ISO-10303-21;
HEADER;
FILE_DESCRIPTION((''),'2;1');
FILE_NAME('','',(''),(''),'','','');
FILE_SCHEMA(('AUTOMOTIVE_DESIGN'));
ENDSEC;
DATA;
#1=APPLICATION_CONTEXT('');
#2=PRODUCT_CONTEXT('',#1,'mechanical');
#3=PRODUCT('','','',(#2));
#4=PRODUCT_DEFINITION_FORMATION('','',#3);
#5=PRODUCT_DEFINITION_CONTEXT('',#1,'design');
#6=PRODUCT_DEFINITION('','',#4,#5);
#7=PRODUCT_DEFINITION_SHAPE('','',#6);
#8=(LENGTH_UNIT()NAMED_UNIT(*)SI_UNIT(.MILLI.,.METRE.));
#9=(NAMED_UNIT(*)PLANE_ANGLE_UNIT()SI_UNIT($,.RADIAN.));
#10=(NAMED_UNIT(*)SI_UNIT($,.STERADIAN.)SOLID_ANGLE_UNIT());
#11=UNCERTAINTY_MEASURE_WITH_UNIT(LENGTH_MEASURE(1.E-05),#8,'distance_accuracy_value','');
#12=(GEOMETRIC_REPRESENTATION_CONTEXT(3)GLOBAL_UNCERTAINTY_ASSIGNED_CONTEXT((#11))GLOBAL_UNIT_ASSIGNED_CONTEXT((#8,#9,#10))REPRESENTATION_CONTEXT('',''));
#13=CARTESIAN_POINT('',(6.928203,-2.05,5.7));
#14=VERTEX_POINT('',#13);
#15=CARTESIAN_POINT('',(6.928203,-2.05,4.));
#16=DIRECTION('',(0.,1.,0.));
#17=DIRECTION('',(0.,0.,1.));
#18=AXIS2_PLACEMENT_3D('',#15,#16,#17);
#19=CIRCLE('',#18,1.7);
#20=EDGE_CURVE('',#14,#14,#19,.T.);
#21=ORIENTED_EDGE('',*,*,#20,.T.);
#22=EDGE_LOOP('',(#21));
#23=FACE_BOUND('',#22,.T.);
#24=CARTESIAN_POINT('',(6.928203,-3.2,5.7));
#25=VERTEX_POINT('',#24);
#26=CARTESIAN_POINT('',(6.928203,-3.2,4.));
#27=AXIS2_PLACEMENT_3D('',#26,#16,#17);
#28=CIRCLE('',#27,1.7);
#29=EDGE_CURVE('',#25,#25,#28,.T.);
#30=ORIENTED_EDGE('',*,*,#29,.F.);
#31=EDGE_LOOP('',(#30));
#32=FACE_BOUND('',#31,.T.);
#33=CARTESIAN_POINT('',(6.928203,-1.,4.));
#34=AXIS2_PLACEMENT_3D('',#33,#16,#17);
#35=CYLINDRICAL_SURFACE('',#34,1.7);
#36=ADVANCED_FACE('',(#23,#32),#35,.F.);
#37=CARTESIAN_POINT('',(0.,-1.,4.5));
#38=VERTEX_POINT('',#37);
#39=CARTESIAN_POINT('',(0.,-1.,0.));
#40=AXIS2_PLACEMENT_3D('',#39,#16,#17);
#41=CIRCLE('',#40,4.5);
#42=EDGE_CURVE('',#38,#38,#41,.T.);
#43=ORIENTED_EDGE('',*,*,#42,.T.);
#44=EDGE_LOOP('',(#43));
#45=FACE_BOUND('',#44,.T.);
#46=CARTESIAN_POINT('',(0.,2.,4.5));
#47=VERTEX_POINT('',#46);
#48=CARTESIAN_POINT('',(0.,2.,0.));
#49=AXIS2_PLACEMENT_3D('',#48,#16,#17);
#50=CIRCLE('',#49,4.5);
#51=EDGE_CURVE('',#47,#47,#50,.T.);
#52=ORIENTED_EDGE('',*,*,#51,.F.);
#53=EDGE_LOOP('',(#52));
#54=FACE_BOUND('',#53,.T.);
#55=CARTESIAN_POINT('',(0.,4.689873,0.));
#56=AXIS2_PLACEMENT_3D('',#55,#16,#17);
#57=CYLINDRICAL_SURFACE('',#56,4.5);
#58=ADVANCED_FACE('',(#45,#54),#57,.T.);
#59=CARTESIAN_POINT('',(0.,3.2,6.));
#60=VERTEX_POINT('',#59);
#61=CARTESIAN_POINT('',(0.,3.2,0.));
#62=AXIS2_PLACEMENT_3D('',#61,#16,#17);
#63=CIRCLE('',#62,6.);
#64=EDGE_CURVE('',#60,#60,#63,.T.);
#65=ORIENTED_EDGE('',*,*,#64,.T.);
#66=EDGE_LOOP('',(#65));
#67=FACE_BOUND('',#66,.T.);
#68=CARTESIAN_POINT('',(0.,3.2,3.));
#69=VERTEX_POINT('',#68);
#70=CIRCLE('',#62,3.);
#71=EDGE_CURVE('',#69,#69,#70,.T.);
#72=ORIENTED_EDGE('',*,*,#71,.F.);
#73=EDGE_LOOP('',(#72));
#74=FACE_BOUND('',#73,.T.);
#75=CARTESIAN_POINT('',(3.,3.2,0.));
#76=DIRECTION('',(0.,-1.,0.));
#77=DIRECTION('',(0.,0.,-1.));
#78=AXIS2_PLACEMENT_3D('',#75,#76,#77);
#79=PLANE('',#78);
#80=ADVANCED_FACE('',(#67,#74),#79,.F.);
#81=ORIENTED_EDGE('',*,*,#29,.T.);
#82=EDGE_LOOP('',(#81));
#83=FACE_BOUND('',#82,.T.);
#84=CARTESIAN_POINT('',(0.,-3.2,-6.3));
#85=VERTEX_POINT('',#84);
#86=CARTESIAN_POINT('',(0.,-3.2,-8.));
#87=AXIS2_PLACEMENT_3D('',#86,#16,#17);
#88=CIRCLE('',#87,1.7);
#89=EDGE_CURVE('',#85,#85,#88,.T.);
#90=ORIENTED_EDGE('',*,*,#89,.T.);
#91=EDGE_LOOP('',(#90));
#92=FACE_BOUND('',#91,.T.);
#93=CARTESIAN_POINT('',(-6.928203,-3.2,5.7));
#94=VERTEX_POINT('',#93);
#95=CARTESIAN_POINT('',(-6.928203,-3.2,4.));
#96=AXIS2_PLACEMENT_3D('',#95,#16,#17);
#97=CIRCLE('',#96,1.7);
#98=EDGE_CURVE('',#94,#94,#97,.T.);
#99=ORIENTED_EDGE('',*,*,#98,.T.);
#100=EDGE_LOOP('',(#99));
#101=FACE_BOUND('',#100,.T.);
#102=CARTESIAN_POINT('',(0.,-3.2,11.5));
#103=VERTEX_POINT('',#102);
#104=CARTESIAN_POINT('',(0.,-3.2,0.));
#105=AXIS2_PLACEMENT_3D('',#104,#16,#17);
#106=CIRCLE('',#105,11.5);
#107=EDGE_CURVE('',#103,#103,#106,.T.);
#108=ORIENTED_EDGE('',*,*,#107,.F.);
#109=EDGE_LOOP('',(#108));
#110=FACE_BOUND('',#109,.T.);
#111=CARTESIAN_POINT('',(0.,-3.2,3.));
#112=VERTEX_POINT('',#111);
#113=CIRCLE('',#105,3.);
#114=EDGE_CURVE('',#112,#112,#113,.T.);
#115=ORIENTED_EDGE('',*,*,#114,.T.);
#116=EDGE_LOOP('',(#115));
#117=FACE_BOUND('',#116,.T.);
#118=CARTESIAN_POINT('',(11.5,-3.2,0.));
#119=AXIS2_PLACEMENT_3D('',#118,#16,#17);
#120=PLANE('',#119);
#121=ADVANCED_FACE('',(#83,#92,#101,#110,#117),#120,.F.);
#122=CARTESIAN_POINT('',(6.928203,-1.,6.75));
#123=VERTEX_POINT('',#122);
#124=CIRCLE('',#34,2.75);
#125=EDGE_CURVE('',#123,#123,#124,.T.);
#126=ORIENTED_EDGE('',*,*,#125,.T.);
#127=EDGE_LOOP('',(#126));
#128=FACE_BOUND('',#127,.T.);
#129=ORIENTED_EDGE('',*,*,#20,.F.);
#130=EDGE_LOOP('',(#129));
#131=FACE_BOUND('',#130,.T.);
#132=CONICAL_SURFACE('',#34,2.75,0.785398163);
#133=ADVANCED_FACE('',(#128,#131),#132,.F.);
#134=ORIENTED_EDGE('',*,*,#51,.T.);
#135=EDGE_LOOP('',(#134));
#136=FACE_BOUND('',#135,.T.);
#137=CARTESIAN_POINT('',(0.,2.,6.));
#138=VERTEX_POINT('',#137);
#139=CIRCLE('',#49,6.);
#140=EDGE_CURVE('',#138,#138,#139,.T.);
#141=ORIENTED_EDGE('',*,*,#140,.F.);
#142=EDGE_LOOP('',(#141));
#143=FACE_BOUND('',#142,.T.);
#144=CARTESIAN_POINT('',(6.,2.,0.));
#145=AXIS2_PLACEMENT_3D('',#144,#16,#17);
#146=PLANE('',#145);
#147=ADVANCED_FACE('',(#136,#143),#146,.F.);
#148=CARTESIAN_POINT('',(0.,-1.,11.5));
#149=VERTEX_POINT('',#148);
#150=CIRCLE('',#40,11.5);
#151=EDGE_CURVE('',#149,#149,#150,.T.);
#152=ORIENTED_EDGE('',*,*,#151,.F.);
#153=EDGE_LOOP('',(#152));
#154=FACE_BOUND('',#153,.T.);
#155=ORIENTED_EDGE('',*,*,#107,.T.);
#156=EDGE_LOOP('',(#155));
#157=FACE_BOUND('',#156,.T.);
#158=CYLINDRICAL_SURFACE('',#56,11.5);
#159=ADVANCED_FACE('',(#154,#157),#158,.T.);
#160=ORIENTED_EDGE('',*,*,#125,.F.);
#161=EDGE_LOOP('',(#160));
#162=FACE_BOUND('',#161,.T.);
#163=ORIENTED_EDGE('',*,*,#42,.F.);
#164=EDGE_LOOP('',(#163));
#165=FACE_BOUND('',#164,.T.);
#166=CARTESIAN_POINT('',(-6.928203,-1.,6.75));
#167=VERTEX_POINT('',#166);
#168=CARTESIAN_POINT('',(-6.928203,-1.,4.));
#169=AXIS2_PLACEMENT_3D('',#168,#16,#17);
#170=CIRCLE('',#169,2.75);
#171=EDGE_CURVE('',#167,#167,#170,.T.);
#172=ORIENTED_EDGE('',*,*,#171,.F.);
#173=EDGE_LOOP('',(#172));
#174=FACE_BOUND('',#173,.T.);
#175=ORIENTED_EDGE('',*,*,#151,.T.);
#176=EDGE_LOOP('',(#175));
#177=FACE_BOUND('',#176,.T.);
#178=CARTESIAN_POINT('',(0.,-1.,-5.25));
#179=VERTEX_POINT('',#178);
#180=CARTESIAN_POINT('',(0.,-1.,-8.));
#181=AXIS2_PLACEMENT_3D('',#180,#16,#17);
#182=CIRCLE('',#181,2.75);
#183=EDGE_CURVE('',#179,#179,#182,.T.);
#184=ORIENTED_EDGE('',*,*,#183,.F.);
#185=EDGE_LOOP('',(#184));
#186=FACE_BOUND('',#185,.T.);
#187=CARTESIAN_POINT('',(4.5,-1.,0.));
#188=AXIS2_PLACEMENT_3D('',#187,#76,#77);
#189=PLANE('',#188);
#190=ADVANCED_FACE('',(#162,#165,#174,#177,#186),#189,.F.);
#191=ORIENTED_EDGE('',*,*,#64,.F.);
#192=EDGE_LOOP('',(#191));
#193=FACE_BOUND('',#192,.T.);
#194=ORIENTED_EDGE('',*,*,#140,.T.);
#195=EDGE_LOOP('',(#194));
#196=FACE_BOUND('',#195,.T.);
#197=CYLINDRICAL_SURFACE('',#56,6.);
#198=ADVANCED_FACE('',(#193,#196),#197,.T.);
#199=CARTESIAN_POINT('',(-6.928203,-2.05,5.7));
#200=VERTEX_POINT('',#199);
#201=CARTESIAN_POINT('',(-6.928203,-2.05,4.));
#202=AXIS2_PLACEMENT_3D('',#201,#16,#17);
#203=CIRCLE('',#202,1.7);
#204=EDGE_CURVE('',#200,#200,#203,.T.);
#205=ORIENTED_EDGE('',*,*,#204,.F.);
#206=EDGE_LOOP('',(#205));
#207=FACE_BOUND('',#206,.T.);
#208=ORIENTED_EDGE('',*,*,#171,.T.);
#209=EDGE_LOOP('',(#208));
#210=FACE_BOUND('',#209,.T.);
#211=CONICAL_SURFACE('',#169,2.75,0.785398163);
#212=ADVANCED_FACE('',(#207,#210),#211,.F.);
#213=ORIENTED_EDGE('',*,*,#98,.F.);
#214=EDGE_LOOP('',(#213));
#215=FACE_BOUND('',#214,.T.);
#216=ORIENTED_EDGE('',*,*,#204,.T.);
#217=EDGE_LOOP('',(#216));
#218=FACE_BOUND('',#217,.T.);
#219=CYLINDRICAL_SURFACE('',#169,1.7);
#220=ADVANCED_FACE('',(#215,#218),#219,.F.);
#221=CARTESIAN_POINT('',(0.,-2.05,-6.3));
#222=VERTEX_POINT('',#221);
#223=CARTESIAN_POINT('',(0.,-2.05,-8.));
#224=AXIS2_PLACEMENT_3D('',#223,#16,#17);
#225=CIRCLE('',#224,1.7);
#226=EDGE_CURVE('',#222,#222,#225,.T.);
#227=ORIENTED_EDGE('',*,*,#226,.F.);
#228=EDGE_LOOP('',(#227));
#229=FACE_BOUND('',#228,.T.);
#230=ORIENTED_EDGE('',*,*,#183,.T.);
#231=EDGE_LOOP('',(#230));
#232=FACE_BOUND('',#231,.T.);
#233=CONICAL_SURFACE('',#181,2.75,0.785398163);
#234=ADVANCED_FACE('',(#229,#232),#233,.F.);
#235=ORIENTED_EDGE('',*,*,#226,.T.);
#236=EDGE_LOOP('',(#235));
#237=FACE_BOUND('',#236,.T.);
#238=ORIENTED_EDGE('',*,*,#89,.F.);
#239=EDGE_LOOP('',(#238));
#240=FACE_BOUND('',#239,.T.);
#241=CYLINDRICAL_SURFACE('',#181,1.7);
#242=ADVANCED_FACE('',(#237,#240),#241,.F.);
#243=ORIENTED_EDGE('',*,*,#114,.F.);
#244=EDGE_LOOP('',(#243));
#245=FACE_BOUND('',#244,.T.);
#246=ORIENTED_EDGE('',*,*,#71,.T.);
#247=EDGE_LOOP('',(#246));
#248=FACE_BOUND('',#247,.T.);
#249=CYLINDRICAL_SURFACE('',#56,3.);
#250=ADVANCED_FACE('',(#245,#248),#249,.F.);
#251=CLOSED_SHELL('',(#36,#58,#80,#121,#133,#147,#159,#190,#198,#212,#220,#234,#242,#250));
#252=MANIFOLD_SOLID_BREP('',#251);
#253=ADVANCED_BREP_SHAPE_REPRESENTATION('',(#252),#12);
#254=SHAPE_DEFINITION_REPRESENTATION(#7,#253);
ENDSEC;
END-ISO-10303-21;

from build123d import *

# Parameters (mm, degrees)
CSK_FOR_M3_FLAT_HEAD_MACHINE_SCREW1_AT_2_COUNT = 2
CSK_FOR_M3_FLAT_HEAD_MACHINE_SCREW1_AT_2_PITCH = 13.856406461
CSK_FOR_M3_FLAT_HEAD_MACHINE_SCREW1_AT_3_COUNT = 2
CSK_FOR_M3_FLAT_HEAD_MACHINE_SCREW1_AT_3_PITCH = 13.856406461


with BuildPart() as part:
    # Esquisse1 → Révolution1 (revolve)
    with BuildSketch(Plane.XY, mode=Mode.PRIVATE) as r_volution1_sk:
        Polygon((3, -3.2), (3, 3.2), (6, 3.2), (6, 2), (4.5, 2), (4.5, -1), (11.5, -1), (11.5, -3.2), align=None)
    revolve(r_volution1_sk.sketch.rotate(Axis((0, 4.689873418, 0), (0, -1, 0)), 90), axis=Axis((0, 4.689873418, 0), (0, -1, 0)))

    # Esquisse4 → CSK for M3 Flat Head Machine Screw1 (revolve, cut)
    with BuildSketch(Plane(origin=(-6.92820323, -1, 4), x_dir=(0, 0, 1), z_dir=(1, 0, 0))):
        Polygon((0, 0), (0, 2.2), (1.7, 2.2), (1.7, 1.05), (2.75, 0), align=None)
    csk_for_m3_flat_head_machine_screw1 = revolve(axis=Axis((-6.92820323, 5.35, 4), (0, -1, 0)), mode=Mode.SUBTRACT)

    # CSK for M3 Flat Head Machine Screw1 at 2: CSK for M3 Flat Head Machine Screw1 ×2
    with Locations(*[(i * CSK_FOR_M3_FLAT_HEAD_MACHINE_SCREW1_AT_2_PITCH, 0, 0) for i in range(1, CSK_FOR_M3_FLAT_HEAD_MACHINE_SCREW1_AT_2_COUNT)]):
        add(csk_for_m3_flat_head_machine_screw1, mode=Mode.SUBTRACT)

    # CSK for M3 Flat Head Machine Screw1 at 3: CSK for M3 Flat Head Machine Screw1 ×2
    with Locations(*[Vector(0.5000000000000041, 0, -0.8660254037844364) * (i * CSK_FOR_M3_FLAT_HEAD_MACHINE_SCREW1_AT_3_PITCH) for i in range(1, CSK_FOR_M3_FLAT_HEAD_MACHINE_SCREW1_AT_3_COUNT)]):
        add(csk_for_m3_flat_head_machine_screw1, mode=Mode.SUBTRACT)


solid = part.part
